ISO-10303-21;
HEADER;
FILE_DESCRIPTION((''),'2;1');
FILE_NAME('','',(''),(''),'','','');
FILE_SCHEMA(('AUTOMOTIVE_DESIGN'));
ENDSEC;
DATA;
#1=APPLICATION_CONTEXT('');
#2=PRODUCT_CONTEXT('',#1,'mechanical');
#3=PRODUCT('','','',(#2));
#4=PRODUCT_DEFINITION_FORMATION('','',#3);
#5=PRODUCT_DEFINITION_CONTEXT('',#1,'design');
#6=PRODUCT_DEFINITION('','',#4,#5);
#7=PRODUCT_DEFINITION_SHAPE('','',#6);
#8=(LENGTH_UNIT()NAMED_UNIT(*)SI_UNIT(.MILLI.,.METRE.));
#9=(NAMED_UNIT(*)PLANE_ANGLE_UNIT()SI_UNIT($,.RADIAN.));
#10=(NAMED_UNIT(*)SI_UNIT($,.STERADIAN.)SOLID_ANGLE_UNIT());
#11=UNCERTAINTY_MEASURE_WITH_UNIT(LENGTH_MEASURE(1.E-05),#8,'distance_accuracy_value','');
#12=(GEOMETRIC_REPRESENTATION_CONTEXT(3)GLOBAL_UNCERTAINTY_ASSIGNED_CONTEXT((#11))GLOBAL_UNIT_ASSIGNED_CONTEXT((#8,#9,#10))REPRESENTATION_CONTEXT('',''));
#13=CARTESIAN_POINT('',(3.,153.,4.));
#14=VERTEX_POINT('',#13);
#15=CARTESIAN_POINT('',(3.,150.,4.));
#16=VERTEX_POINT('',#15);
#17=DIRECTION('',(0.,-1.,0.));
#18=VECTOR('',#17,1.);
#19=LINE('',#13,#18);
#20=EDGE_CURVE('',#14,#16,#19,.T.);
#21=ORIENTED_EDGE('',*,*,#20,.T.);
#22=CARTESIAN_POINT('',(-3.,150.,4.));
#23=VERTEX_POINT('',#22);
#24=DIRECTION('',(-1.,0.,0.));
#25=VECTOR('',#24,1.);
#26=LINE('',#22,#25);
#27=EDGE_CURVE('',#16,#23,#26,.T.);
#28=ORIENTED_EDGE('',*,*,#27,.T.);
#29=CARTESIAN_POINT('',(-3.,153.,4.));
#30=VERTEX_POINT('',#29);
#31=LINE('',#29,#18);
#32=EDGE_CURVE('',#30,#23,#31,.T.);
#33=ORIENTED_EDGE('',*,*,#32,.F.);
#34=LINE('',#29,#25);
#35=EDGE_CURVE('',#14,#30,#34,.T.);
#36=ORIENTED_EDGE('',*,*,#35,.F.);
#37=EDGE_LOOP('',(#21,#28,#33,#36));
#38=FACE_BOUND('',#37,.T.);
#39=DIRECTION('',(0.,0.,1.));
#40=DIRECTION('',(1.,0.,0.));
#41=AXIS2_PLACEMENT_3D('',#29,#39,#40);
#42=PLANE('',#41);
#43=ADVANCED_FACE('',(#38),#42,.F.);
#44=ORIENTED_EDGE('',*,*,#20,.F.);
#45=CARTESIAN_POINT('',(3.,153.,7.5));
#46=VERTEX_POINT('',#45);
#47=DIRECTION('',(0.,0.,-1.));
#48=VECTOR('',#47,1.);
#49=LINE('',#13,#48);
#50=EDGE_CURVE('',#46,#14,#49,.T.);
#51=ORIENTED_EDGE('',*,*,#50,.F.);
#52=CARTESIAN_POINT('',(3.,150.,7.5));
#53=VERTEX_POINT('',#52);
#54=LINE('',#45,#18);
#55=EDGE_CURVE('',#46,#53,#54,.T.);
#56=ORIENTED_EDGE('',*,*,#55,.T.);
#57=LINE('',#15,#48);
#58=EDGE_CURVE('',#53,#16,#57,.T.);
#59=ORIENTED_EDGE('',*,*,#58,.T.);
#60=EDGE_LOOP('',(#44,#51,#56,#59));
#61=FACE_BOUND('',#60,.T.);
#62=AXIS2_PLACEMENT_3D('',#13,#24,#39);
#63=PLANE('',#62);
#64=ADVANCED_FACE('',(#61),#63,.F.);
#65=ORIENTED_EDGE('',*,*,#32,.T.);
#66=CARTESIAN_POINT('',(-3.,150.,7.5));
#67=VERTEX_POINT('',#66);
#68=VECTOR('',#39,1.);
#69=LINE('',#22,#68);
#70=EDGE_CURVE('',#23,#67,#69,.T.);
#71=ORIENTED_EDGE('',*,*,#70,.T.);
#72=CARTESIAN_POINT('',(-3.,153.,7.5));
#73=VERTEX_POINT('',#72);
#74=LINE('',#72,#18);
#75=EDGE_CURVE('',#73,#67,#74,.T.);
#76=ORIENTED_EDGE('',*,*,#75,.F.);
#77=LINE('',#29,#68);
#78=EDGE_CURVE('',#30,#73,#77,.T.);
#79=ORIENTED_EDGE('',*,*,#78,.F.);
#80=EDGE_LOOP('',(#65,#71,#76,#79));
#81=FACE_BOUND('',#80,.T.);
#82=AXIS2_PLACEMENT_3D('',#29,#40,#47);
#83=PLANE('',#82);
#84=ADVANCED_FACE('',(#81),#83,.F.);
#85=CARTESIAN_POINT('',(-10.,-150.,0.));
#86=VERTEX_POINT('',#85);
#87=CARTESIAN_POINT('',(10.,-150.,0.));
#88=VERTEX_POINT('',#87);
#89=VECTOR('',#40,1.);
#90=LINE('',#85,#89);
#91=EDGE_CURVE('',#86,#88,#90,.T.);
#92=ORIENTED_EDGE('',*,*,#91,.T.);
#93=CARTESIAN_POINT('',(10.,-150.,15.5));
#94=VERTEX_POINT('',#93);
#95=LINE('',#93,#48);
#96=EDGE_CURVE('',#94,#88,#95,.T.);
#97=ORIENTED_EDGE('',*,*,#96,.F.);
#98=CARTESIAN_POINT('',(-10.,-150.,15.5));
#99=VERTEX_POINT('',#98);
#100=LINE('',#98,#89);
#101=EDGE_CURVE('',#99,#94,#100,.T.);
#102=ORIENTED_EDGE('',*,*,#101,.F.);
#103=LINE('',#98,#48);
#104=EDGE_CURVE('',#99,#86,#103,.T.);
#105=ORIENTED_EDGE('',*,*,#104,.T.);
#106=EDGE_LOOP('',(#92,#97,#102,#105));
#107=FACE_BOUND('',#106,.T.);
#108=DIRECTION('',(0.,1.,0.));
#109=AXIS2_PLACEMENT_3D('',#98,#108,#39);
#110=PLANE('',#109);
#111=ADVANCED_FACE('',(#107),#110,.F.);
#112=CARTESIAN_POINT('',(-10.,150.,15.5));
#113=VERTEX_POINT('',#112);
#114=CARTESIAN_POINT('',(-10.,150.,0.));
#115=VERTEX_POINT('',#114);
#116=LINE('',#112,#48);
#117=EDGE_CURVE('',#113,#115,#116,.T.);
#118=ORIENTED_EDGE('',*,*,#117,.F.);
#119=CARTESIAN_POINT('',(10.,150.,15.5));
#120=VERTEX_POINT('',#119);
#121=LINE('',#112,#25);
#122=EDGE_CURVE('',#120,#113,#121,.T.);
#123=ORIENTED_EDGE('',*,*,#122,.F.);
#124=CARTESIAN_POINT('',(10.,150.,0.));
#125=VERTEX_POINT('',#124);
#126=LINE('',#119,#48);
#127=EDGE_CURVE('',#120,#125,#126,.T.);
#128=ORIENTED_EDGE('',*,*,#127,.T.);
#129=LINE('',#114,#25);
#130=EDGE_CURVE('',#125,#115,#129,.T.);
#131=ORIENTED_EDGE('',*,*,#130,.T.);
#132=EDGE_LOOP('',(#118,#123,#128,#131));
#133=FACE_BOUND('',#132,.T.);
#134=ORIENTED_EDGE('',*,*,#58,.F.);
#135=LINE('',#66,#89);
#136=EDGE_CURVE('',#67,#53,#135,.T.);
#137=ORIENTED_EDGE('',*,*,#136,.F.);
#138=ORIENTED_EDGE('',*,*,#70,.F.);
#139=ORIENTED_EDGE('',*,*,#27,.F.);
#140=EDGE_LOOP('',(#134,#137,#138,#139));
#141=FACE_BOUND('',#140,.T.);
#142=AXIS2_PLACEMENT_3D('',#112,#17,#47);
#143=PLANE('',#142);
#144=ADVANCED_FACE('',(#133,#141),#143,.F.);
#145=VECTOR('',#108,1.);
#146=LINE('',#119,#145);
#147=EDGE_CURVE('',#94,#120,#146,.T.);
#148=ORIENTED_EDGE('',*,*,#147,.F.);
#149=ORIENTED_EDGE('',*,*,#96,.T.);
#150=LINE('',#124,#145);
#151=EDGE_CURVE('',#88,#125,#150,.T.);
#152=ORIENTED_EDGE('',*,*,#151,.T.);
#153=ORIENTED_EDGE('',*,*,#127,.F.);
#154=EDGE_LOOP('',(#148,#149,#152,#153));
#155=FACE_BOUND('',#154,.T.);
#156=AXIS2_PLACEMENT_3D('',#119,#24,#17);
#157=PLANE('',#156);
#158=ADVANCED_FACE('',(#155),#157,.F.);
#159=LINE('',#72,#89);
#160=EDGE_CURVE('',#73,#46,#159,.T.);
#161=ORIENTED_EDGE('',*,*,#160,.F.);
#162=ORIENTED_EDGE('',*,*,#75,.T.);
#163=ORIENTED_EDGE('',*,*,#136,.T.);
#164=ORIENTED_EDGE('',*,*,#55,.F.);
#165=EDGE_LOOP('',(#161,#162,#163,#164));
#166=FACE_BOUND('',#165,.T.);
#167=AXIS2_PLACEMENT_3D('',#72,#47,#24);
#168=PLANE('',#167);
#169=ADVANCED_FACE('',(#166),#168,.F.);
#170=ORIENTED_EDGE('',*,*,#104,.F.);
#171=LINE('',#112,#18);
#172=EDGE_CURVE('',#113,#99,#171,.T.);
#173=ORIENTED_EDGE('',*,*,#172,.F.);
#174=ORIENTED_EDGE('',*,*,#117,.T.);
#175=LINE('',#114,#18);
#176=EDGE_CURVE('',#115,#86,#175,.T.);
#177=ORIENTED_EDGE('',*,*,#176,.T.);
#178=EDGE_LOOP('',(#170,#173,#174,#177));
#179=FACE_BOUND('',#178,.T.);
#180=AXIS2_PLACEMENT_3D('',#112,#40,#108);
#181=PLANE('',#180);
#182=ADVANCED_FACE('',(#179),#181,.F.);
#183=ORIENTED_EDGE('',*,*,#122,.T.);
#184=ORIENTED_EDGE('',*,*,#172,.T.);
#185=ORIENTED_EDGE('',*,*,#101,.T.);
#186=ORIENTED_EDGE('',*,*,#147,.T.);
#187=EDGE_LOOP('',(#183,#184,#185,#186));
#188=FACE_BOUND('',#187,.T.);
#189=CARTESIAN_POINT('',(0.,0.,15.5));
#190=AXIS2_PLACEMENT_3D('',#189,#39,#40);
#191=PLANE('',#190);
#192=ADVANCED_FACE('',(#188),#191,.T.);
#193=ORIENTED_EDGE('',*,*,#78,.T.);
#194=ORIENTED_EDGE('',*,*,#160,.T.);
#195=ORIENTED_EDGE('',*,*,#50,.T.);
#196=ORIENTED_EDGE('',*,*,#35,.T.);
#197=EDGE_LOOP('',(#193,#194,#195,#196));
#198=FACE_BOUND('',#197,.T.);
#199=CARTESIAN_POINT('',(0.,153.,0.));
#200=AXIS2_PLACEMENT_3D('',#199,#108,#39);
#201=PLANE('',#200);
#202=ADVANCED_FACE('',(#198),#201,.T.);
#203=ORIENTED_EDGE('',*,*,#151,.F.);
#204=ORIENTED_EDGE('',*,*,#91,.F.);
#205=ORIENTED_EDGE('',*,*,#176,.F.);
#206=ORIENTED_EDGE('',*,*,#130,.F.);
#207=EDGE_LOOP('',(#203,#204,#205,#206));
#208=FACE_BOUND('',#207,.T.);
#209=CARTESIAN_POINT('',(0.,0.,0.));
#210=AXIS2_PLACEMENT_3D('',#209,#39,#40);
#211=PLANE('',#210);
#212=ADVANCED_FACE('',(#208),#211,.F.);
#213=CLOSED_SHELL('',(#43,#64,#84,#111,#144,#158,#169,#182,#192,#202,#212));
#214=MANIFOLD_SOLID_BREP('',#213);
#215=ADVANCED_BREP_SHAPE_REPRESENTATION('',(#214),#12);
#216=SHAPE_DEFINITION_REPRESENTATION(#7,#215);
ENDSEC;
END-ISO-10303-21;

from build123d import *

# Parameters (mm, degrees)
SKETCH_1_W        = 20
SKETCH_1_H        = 300
EXTRUDE_253_DEPTH = 15.5
SKETCH_2_W        = 6
SKETCH_2_H        = 3.5
EXTRUDE_491_DEPTH = 3


with BuildPart() as part:
    # 草图1 → Extrude 253 (new body)
    with BuildSketch(Plane.XY):
        Rectangle(SKETCH_1_W, SKETCH_1_H)
    extrude(amount=EXTRUDE_253_DEPTH)

    # 草图2 → Extrude 491 (add)
    with BuildSketch(Plane(origin=(0, 150, 0), x_dir=(1, 0, 0), z_dir=(0, 1, 0))):
        with Locations((0, -5.75)):
            Rectangle(SKETCH_2_W, SKETCH_2_H)
    extrude(amount=EXTRUDE_491_DEPTH)


solid = part.part
